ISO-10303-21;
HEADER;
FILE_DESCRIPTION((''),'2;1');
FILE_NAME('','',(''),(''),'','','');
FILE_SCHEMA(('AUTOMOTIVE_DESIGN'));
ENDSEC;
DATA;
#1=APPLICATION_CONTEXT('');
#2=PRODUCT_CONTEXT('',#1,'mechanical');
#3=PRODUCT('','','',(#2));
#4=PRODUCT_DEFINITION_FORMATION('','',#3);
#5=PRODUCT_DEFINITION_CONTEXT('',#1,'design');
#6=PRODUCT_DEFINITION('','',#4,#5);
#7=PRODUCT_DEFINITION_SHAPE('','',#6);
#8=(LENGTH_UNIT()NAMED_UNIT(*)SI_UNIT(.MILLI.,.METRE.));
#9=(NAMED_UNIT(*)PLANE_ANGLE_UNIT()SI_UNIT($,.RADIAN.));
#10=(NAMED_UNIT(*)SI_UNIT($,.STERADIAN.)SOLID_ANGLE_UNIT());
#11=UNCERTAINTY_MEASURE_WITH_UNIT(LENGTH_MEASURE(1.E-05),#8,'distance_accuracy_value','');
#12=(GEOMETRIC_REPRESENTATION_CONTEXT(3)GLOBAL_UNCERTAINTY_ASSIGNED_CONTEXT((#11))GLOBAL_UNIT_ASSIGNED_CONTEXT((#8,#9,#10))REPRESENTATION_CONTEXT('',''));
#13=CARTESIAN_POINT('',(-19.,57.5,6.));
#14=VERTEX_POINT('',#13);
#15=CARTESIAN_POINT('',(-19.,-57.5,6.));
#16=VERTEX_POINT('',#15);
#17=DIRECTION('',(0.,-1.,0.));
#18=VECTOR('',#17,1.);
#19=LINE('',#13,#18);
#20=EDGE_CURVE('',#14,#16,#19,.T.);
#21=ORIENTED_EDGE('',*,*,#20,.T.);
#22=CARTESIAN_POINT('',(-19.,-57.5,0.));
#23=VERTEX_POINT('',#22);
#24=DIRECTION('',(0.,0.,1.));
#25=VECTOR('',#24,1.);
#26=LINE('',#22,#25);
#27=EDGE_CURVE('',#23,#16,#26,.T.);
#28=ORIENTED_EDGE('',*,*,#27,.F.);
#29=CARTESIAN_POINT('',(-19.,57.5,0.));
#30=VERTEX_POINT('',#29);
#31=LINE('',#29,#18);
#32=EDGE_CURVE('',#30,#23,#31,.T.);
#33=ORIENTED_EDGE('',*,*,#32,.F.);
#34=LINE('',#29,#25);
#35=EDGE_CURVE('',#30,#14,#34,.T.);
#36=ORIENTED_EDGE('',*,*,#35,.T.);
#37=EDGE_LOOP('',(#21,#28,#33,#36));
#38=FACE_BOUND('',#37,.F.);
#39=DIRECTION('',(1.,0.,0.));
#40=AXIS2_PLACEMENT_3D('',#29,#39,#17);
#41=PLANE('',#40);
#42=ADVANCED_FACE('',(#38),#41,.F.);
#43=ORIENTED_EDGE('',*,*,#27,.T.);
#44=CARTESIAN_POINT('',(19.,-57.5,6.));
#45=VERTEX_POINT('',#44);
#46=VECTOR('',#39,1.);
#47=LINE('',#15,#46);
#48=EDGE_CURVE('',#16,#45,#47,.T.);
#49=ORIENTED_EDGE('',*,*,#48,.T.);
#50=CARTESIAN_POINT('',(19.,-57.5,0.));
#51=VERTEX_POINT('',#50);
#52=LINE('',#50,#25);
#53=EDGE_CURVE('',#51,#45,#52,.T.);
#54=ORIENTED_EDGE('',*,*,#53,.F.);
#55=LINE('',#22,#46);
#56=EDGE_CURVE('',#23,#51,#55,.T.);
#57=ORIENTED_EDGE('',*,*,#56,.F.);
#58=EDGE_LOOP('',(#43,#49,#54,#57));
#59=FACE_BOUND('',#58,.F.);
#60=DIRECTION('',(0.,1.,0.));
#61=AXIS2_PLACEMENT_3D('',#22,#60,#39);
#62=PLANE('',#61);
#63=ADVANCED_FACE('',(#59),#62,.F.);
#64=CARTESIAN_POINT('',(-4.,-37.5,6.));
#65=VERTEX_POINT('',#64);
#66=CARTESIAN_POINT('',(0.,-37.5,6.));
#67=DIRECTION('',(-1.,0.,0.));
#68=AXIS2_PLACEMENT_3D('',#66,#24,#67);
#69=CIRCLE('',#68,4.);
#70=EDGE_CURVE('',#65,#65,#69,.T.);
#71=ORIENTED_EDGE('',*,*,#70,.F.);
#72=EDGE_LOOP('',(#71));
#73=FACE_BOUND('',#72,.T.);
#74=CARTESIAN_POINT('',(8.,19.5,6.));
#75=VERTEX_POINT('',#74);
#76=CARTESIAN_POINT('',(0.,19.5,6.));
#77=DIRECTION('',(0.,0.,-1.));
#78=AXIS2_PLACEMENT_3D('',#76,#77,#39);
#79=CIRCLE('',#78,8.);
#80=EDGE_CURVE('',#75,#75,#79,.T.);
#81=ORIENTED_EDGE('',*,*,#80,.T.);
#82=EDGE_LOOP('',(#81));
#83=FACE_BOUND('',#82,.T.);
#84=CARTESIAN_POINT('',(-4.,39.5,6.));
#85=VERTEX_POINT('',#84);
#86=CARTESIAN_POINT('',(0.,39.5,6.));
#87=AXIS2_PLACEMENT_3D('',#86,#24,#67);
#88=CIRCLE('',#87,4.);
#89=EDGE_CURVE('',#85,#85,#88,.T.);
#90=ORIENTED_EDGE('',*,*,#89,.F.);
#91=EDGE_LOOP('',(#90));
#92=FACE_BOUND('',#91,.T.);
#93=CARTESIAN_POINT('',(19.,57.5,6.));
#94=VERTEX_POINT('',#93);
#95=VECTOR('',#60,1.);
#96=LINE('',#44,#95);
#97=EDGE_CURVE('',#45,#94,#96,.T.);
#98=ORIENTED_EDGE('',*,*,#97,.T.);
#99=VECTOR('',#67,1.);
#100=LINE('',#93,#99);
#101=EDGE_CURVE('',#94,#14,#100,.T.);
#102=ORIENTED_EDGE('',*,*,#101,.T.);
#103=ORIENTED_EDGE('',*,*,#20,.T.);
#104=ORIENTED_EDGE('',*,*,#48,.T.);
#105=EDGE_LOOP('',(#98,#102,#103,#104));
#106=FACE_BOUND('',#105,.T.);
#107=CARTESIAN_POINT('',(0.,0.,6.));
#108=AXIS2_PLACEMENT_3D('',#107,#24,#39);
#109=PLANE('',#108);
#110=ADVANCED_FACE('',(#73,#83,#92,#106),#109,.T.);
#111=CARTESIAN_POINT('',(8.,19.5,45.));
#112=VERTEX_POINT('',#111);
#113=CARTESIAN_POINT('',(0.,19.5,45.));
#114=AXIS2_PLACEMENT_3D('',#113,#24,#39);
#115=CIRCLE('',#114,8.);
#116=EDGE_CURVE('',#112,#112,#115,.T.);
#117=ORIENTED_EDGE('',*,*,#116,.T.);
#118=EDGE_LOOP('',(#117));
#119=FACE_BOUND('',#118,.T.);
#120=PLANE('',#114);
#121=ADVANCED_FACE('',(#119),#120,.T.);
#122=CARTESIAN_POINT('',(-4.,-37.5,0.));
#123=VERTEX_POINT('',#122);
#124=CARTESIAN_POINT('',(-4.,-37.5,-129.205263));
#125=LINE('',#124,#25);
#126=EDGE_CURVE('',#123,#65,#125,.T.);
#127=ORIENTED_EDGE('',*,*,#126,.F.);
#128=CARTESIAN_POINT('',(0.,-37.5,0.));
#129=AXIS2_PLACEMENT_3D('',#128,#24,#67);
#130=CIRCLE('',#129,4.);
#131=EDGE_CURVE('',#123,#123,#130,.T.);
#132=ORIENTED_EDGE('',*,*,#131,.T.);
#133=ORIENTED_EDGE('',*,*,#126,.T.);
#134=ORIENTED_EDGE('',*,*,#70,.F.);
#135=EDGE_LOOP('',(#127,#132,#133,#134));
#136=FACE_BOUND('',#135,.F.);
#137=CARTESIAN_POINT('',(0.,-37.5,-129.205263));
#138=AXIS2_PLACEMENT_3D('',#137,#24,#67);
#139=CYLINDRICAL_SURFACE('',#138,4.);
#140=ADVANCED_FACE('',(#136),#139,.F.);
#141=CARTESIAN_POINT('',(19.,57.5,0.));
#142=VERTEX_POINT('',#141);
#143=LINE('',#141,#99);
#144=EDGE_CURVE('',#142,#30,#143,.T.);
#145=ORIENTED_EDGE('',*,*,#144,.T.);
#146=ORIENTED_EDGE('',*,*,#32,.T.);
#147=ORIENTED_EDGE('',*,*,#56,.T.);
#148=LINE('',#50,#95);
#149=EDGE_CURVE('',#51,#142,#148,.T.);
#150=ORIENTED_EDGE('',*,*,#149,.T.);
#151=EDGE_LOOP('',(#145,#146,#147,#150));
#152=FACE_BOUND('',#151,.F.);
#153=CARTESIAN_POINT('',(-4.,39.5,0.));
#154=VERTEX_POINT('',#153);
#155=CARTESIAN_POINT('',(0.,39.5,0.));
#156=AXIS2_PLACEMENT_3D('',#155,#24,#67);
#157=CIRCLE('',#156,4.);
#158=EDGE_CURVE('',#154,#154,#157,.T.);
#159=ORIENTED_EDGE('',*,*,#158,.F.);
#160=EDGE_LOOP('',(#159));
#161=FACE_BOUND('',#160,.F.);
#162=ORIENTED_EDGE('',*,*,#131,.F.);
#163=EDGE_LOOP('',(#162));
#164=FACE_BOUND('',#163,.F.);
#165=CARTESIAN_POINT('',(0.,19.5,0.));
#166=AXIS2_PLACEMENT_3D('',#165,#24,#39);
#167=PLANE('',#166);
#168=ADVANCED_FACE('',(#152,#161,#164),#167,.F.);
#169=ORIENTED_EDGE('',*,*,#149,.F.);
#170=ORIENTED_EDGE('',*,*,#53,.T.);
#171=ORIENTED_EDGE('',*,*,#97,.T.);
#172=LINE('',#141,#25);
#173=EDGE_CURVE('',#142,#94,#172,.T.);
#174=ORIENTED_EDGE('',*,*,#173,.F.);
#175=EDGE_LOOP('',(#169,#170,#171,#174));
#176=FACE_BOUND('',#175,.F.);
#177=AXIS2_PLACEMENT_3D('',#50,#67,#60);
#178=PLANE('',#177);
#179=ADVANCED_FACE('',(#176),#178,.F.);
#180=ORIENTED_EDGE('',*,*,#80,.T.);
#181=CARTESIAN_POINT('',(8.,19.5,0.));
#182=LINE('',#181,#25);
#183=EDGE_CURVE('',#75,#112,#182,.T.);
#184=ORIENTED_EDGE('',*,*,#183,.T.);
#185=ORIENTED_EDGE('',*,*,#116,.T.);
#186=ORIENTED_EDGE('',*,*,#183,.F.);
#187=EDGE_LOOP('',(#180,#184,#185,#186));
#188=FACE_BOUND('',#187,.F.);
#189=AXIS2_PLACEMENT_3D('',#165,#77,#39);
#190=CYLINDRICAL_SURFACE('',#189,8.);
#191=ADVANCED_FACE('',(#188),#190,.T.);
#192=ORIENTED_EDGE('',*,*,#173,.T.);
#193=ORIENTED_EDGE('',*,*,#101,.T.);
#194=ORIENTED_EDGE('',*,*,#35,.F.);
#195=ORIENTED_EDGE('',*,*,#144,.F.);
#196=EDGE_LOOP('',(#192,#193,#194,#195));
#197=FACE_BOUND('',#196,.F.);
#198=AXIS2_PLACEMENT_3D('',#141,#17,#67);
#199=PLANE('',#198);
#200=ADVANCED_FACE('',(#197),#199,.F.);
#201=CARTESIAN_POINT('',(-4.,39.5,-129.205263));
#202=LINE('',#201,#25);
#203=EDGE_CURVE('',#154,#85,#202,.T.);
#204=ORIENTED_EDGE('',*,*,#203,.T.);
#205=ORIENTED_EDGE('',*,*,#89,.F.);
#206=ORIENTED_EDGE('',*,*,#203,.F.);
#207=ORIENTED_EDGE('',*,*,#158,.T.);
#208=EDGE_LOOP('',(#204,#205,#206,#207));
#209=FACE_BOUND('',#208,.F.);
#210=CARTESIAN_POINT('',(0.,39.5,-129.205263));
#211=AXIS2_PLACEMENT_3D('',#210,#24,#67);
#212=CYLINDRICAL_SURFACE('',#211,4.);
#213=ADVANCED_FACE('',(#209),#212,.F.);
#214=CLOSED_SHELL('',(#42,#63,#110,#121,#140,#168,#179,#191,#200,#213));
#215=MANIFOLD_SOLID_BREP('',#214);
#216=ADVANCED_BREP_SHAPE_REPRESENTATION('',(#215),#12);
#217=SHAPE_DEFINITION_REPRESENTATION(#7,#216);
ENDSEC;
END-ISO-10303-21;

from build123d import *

# Parameters (mm, degrees)
F0_R     = 8
F1_DEPTH = 6
F2_DEPTH = 45
F3_D     = 8


with BuildPart() as f1:
    # F0 (on Top) → F1 (new body)
    with BuildSketch(Plane.XY):
        Polygon((19, 57.5), (0, 57.5), (-19, 57.5), (-19, 0), (-19, -57.5), (0, -57.5), (19, -57.5), (19, 0), align=None)
        with Locations((0, 19.5)):
            Circle(F0_R, mode=Mode.SUBTRACT)
        with Locations((0, 19.5)):
            Circle(F0_R)
    extrude(amount=F1_DEPTH)

    # F0 (on Top) → F2 (join)
    with BuildSketch(Plane.XY):
        with Locations((0, 19.5)):
            Circle(F0_R)
    extrude(amount=F2_DEPTH)

    # F3 (through all)
    with Locations(Plane(origin=(0, 0, 0), x_dir=(1, 0, 0), z_dir=(0, 0, -1))):
        with Locations((0, -39.5), (0, 37.5)):
            Hole(F3_D / 2)


solid = f1.part
